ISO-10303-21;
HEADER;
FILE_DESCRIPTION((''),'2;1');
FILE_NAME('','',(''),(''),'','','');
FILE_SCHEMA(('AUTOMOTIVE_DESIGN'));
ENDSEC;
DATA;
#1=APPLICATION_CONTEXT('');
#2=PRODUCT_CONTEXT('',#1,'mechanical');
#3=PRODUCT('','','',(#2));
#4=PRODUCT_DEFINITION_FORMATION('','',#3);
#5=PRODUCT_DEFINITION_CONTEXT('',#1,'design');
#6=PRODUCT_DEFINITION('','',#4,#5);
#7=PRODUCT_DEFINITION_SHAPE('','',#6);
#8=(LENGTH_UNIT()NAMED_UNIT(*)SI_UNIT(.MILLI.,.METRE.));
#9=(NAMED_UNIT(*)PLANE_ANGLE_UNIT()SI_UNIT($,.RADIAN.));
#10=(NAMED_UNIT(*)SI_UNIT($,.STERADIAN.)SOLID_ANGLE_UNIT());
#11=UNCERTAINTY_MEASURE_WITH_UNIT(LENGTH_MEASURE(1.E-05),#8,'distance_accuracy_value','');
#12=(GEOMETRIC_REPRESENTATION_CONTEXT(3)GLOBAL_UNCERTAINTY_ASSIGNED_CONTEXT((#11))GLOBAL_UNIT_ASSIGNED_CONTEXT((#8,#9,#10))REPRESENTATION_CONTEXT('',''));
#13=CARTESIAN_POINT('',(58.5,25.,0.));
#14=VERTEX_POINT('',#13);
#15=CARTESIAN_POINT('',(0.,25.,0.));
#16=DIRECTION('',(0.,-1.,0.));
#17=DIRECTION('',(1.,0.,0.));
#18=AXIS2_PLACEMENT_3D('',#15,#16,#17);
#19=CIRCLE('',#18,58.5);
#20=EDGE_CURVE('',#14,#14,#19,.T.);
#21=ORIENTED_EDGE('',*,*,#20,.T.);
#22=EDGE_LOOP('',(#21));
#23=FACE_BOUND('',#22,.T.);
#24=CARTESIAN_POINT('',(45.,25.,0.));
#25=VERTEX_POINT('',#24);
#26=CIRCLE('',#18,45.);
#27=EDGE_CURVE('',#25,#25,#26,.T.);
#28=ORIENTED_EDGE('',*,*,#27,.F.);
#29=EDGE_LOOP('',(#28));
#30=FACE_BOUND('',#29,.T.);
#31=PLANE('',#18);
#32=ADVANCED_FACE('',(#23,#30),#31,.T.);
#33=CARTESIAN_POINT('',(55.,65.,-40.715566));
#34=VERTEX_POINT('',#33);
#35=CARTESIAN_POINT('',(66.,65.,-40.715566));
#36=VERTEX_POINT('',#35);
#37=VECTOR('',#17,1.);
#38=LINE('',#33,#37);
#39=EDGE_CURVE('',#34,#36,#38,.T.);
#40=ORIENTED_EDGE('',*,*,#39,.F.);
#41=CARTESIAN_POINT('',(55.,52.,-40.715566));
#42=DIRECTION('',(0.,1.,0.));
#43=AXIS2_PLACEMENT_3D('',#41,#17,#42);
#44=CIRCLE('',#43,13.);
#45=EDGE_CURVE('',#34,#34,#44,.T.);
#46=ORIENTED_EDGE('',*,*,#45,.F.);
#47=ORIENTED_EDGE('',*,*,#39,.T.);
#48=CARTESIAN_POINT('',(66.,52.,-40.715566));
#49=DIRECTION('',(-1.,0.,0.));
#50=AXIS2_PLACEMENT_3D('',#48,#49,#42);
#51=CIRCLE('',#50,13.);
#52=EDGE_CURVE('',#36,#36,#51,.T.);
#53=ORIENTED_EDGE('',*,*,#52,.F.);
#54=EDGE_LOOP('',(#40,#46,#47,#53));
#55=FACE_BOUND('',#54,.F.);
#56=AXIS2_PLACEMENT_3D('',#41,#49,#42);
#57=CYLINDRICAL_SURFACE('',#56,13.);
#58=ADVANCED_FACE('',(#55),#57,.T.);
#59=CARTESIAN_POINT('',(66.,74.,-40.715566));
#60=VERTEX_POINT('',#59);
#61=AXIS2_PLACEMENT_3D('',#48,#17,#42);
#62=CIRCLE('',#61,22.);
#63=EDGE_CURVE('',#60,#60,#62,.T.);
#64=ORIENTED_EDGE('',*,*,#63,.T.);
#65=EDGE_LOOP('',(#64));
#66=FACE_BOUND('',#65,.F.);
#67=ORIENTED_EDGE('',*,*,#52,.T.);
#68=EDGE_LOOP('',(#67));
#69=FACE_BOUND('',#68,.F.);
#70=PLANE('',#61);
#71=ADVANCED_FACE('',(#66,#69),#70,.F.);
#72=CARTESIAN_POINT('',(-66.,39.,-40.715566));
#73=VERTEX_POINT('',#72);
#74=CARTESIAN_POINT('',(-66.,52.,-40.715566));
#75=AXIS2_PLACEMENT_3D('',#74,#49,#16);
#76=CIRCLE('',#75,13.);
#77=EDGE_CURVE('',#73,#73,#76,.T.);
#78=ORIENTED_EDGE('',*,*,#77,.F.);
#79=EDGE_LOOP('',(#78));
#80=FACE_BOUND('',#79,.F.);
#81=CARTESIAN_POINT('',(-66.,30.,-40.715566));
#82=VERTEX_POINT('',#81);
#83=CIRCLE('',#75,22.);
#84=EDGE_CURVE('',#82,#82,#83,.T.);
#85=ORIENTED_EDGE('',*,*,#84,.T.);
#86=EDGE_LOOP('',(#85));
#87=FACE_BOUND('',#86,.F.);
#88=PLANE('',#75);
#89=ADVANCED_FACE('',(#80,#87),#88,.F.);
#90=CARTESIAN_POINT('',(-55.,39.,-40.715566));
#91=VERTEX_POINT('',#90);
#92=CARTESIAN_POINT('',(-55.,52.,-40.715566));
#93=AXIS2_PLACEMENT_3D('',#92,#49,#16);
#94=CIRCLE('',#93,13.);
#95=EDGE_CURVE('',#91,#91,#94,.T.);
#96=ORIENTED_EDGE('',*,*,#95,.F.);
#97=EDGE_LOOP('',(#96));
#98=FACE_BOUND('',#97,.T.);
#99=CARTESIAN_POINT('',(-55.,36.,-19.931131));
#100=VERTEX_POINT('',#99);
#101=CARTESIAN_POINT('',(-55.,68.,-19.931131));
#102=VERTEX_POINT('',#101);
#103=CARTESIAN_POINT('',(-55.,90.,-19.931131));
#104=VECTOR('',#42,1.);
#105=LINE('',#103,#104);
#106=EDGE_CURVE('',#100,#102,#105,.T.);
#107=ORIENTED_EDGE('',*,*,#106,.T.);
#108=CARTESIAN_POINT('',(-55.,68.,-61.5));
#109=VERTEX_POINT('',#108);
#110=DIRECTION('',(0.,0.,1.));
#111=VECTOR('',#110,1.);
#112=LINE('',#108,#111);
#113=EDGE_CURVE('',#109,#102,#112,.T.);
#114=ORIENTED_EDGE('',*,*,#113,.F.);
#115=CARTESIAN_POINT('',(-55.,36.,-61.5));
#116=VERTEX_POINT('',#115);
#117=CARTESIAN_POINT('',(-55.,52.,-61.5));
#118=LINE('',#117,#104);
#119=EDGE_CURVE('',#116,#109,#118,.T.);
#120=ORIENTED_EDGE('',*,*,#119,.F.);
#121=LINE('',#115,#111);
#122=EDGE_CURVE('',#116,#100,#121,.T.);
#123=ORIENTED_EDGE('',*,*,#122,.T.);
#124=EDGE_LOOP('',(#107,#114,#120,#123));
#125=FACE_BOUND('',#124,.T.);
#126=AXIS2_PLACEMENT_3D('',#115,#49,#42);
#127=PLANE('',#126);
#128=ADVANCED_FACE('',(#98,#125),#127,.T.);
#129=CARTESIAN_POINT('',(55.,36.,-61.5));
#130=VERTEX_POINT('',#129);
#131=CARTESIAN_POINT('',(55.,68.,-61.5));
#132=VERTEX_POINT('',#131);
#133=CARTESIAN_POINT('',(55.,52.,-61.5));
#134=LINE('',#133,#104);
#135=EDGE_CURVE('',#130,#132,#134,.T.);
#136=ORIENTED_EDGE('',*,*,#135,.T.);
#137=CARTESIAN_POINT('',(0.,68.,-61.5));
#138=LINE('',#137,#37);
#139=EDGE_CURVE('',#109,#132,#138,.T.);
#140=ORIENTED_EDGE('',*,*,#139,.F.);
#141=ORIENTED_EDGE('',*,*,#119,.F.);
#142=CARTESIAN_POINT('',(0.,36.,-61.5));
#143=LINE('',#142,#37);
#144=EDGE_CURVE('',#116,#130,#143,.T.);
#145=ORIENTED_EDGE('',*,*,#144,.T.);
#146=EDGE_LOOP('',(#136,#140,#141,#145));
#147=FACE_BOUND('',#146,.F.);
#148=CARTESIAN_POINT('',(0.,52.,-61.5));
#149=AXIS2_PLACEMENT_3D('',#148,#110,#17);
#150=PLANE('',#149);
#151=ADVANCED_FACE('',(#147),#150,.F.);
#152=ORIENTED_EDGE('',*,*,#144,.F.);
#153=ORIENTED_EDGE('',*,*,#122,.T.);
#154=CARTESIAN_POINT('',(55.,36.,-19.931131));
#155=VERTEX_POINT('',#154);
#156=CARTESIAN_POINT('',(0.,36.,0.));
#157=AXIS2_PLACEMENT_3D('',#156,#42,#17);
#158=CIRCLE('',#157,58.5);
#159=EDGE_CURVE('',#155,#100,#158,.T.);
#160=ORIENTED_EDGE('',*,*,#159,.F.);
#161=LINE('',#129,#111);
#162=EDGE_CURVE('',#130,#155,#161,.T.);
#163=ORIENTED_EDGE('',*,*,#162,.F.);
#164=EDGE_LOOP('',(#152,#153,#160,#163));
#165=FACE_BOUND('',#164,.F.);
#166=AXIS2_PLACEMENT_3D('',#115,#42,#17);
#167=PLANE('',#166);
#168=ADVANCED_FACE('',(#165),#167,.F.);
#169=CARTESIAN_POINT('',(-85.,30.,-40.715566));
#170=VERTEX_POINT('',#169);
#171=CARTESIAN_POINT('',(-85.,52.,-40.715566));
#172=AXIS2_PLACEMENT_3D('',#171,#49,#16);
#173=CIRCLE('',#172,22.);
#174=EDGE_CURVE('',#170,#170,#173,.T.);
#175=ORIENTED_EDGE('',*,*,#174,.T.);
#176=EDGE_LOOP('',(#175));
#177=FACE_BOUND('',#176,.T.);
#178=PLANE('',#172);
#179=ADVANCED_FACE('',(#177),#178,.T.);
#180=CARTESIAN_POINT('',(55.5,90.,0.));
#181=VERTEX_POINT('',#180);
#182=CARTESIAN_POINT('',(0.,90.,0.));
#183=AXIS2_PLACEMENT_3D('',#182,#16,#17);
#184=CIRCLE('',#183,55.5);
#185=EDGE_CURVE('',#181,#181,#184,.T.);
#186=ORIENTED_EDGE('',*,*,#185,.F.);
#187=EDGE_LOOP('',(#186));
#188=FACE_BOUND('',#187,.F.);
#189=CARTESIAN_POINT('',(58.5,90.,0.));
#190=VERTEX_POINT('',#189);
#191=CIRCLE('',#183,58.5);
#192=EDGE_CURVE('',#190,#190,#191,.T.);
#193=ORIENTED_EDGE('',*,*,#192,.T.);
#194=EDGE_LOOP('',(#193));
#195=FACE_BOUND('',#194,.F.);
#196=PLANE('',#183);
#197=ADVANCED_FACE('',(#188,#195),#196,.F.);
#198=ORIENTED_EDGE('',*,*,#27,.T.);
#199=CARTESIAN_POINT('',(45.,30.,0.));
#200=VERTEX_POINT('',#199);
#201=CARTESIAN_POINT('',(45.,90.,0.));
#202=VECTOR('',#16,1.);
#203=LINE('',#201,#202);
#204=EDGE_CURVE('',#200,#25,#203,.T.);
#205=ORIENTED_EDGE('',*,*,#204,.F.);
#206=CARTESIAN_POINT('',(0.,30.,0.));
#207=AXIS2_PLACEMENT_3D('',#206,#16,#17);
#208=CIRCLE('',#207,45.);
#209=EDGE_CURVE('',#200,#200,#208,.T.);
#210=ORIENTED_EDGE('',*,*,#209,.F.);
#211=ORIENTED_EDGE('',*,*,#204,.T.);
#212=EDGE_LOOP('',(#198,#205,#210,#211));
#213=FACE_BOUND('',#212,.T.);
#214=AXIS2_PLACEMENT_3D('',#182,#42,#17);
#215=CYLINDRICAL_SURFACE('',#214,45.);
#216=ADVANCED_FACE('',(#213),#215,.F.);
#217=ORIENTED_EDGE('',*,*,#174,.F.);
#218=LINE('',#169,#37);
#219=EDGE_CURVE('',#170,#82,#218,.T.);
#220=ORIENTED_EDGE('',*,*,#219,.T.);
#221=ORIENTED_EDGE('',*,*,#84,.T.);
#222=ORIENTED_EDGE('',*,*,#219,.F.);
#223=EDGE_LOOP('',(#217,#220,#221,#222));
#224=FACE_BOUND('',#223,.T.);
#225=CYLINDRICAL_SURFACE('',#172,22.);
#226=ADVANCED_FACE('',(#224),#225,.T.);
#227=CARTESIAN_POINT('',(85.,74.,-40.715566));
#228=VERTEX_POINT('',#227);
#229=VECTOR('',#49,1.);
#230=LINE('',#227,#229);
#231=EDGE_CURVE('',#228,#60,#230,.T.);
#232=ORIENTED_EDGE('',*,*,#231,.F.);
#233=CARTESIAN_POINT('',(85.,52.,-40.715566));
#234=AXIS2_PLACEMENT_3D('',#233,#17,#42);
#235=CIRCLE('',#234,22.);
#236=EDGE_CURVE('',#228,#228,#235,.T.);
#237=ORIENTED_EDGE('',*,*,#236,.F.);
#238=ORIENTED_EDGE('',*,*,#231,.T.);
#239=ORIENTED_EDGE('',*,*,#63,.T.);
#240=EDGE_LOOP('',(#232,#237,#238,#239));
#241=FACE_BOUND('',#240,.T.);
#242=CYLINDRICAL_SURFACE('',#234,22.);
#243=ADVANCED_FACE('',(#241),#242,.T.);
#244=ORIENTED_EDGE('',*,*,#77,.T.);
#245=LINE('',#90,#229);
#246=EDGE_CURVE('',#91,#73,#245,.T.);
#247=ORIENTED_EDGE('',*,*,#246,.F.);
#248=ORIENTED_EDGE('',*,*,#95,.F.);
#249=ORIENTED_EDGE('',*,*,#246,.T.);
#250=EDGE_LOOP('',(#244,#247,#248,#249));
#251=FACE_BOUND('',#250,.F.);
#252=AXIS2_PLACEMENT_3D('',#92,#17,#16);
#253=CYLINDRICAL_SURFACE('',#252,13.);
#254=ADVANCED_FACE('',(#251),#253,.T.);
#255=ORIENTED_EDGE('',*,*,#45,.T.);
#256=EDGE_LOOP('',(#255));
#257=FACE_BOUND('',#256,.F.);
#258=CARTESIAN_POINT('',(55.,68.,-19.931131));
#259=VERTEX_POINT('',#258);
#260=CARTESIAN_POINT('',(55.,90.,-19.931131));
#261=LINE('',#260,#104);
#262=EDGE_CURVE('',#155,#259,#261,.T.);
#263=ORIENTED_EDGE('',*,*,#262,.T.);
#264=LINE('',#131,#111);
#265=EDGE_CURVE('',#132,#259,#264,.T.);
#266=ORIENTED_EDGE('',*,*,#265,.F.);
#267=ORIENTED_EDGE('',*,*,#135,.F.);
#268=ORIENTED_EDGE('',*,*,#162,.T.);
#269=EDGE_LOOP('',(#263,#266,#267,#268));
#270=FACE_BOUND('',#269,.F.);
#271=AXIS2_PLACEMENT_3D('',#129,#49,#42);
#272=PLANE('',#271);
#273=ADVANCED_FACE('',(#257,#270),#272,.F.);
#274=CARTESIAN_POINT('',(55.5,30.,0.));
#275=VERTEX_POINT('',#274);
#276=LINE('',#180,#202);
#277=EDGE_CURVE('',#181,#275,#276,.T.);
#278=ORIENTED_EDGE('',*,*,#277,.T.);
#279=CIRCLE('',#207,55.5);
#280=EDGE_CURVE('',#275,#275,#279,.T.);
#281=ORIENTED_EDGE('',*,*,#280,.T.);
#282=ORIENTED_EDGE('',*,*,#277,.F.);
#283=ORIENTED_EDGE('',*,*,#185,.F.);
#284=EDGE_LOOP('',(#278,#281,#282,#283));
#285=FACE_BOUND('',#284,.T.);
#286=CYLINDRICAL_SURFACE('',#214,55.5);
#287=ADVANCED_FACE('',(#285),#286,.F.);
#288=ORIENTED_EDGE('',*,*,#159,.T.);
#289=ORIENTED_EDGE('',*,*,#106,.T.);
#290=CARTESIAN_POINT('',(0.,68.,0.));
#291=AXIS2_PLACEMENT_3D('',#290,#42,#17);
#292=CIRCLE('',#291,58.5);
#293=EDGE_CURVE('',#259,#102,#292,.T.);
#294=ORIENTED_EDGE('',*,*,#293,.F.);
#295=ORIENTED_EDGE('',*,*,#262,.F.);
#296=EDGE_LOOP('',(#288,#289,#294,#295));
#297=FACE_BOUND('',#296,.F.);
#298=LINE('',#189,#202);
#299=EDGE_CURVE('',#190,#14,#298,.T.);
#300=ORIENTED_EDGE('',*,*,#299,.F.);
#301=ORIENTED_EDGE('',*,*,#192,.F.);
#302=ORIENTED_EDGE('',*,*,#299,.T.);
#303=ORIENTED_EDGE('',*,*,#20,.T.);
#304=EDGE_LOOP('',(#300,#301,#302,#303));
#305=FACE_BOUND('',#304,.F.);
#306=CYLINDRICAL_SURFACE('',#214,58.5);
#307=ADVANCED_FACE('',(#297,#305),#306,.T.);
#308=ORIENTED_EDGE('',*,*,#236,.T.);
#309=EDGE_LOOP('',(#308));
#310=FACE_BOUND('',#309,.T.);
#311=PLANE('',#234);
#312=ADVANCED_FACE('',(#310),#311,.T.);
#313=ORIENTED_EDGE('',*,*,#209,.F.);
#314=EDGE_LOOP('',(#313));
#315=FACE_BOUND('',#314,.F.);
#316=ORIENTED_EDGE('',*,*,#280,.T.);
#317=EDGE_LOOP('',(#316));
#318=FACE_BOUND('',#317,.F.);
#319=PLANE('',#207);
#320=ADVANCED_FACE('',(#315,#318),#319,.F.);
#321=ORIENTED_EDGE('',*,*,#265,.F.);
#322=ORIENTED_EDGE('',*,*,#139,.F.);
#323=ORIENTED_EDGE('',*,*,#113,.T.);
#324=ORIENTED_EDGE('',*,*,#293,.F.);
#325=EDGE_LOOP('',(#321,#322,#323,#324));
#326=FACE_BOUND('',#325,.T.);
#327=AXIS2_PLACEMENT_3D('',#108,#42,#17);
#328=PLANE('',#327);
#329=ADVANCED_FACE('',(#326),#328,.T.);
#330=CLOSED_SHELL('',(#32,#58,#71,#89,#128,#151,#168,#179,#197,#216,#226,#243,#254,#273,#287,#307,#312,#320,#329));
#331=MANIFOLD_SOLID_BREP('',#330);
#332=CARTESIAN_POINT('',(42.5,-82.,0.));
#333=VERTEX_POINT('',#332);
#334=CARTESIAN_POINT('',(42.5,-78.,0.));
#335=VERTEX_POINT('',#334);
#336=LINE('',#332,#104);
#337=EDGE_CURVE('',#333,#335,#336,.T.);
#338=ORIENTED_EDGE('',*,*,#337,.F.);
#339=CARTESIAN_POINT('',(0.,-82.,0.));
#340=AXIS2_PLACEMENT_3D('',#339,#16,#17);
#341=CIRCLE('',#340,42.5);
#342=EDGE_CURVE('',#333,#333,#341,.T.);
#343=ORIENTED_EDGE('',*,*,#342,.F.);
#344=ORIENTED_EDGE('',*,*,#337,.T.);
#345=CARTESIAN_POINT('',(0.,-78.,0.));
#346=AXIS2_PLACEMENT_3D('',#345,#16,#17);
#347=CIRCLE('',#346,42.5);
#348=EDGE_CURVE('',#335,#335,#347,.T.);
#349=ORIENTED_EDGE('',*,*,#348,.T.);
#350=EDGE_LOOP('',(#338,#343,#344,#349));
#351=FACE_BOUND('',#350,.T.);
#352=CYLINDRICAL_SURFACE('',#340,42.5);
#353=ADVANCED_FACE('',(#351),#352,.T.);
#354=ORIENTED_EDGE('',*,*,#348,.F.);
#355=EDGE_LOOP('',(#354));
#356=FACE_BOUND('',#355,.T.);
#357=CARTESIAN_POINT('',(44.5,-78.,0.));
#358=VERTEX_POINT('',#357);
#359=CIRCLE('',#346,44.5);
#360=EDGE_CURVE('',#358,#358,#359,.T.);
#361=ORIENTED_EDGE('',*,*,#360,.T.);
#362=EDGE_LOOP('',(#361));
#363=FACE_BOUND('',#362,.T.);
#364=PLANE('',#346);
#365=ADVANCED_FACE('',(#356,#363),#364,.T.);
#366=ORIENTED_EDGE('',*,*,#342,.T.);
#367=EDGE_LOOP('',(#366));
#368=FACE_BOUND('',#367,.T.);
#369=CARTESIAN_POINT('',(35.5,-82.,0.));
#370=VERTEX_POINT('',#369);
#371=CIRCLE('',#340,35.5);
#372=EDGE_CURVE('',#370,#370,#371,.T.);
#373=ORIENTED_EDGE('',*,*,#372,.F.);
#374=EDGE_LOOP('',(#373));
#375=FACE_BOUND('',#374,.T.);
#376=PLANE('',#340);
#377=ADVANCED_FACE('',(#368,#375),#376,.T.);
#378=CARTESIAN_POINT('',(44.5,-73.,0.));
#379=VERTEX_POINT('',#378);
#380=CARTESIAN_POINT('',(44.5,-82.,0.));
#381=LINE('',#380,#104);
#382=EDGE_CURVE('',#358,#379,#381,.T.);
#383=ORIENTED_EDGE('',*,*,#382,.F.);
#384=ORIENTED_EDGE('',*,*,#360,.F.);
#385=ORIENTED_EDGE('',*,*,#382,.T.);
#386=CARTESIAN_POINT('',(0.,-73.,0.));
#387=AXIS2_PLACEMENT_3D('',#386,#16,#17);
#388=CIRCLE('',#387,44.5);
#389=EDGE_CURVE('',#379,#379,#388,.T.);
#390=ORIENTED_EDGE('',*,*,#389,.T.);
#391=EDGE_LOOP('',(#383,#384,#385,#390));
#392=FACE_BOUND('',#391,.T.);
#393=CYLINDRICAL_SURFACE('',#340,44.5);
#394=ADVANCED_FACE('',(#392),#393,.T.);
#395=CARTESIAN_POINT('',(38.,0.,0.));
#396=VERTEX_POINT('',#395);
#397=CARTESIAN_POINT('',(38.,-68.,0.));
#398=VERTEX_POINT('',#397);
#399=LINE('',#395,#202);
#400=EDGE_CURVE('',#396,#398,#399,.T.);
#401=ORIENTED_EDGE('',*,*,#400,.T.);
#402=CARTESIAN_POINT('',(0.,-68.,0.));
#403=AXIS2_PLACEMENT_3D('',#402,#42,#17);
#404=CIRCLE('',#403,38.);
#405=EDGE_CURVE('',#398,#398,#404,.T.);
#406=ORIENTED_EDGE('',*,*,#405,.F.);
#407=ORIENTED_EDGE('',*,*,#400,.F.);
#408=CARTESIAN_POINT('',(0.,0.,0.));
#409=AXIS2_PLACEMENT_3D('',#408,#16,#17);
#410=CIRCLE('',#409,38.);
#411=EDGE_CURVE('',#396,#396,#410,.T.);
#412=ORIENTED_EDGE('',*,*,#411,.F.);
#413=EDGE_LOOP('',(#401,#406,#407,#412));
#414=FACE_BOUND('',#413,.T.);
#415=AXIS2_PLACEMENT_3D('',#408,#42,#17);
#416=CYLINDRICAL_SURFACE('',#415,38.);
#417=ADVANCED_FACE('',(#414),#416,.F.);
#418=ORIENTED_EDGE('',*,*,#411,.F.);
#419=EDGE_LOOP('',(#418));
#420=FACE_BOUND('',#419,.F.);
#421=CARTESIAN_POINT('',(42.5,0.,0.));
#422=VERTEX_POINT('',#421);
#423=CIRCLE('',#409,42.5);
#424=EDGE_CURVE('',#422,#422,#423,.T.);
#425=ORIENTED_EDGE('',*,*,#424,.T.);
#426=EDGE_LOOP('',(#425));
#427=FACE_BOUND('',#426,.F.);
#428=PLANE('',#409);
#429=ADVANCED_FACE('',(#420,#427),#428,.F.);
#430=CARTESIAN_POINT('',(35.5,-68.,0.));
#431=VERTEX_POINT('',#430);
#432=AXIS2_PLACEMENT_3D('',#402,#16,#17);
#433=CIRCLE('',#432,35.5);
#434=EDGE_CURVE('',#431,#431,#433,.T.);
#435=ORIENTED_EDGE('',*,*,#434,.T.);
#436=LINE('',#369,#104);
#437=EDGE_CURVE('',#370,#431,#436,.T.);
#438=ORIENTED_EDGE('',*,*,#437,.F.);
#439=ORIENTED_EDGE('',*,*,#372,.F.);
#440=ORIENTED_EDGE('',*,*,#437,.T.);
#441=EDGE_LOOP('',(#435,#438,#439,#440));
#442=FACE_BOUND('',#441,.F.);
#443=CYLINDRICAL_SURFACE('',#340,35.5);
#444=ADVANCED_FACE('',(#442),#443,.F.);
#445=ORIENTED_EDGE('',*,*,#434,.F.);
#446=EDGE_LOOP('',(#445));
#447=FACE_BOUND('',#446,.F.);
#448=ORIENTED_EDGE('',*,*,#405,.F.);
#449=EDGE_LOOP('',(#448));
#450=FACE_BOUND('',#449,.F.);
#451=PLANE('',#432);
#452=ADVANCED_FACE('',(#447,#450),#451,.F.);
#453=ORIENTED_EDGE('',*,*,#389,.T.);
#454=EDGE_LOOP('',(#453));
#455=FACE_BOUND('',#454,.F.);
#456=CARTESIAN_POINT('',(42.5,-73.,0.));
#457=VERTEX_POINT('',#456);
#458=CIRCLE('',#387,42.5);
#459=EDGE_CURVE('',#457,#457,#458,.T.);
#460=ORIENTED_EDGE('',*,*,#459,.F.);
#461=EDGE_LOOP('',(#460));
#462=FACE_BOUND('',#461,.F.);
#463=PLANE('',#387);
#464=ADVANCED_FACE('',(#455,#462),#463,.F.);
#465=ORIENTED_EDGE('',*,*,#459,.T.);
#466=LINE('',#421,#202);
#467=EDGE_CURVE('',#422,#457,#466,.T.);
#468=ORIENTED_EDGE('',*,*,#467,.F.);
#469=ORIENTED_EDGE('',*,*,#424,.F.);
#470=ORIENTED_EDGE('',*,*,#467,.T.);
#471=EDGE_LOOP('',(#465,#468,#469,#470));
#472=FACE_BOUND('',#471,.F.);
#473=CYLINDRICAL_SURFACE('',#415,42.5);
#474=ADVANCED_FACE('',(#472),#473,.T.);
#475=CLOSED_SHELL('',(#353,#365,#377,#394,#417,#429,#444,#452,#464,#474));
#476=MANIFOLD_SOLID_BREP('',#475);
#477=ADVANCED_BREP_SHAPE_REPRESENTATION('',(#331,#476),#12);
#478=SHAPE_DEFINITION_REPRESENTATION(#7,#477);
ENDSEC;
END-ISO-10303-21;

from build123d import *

# Parameters (mm, degrees)
F3_R      = 42.5
F3_R_2    = 38
F4_DEPTH  = 82
F5_R      = 42.5
F5_R_2    = 38
F5_R_3    = 35.5
F6_DEPTH  = 14
F7_DEPTH  = 14
F5_R_4    = 44.5
F8_DEPTH  = 9
F9_DEPTH  = 4
F13_R     = 58.5
F13_R_2   = 55.5
F13_R_3   = 45
F14_DEPTH = 65
F15_DEPTH = 60
F17_W     = 110
F17_H     = 32
F18_DEPTH = 44.8
F19_R     = 55.5
F20_DEPTH = 35
F21_R     = 13
F22_DEPTH = 30
F23_R     = 22
F23_R_2   = 13
F24_DEPTH = 19
F25_R     = 13
F26_DEPTH = 30
F27_R     = 22
F27_R_2   = 13
F28_DEPTH = 19


with BuildPart() as f4:
    # F3 (on Front) → F4 (new body)
    with BuildSketch(Plane.XZ):
        Circle(F3_R)
        Circle(F3_R_2, mode=Mode.SUBTRACT)
    extrude(amount=F4_DEPTH)

    # F5 (on face) → F6 (join)
    with BuildSketch(Plane.XZ.offset(82)):
        Circle(F5_R)
        Circle(F5_R_2, mode=Mode.SUBTRACT)
        Circle(F5_R_2)
        Circle(F5_R_3, mode=Mode.SUBTRACT)
    extrude(amount=-F6_DEPTH)

    # F5 (on face) → F7 (join)
    with BuildSketch(Plane.XZ.offset(82)):
        Circle(F5_R_2)
        Circle(F5_R_3, mode=Mode.SUBTRACT)
    extrude(amount=-F7_DEPTH)

    # F5 (on face) → F8 (join)
    with BuildSketch(Plane.XZ.offset(82)):
        Circle(F5_R_4)
        Circle(F5_R, mode=Mode.SUBTRACT)
    extrude(amount=-F8_DEPTH)

    # F5 (on face) → F9 (cut)
    with BuildSketch(Plane.XZ.offset(82)):
        Circle(F5_R_4)
        Circle(F5_R, mode=Mode.SUBTRACT)
    extrude(amount=-F9_DEPTH, mode=Mode.SUBTRACT)


with BuildPart() as f14:
    # F13 (on offset) → F14 (new body)
    with BuildSketch(Plane.XZ.offset(-90)):
        Circle(F13_R)
        Circle(F13_R_2, mode=Mode.SUBTRACT)
        Circle(F13_R_2)
        Circle(F13_R_3, mode=Mode.SUBTRACT)
    extrude(amount=F14_DEPTH)

    # F13 (on offset) → F15 (cut)
    with BuildSketch(Plane.XZ.offset(-90)):
        Circle(F13_R_2)
        Circle(F13_R_3, mode=Mode.SUBTRACT)
    extrude(amount=F15_DEPTH, mode=Mode.SUBTRACT)

    # F17 (on offset) → F18 (join)
    with BuildSketch(Plane.XY.offset(-61.5)):
        with Locations((0, 52)):
            Rectangle(F17_W, F17_H)
    extrude(amount=F18_DEPTH)

    # F19 (on face) → F20 (cut)
    with BuildSketch(Plane(origin=(0, 68, 0), x_dir=(-1, 0, 0), z_dir=(0, 1, 0))):
        Circle(F19_R)
    extrude(amount=-F20_DEPTH, mode=Mode.SUBTRACT)

    # F21 (on face) → F22 (join)
    with BuildSketch(Plane(origin=(-55, 0, 0), x_dir=(0, -1, 0), z_dir=(-1, 0, 0))):
        with Locations((-52, -40.715565714)):
            Circle(F21_R)
    extrude(amount=F22_DEPTH)

    # F23 (on face) → F24 (join)
    with BuildSketch(Plane(origin=(-85, 0, 0), x_dir=(0, -1, 0), z_dir=(-1, 0, 0))):
        with Locations((-52, -40.715565714)):
            Circle(F23_R)
        with Locations((-52, -40.715565714)):
            Circle(F23_R_2, mode=Mode.SUBTRACT)
    extrude(amount=-F24_DEPTH)

    # F25 (on face) → F26 (join)
    with BuildSketch(Plane.YZ.offset(55)):
        with Locations((52, -40.715565714)):
            Circle(F25_R)
    extrude(amount=F26_DEPTH)

    # F27 (on face) → F28 (join)
    with BuildSketch(Plane.YZ.offset(85)):
        with Locations((52, -40.715565714)):
            Circle(F27_R)
        with Locations((52, -40.715565714)):
            Circle(F27_R_2, mode=Mode.SUBTRACT)
        with Locations((52, -40.715565714)):
            Circle(F27_R_2)
    extrude(amount=-F28_DEPTH)


solid = Compound([f4.part, f14.part])
